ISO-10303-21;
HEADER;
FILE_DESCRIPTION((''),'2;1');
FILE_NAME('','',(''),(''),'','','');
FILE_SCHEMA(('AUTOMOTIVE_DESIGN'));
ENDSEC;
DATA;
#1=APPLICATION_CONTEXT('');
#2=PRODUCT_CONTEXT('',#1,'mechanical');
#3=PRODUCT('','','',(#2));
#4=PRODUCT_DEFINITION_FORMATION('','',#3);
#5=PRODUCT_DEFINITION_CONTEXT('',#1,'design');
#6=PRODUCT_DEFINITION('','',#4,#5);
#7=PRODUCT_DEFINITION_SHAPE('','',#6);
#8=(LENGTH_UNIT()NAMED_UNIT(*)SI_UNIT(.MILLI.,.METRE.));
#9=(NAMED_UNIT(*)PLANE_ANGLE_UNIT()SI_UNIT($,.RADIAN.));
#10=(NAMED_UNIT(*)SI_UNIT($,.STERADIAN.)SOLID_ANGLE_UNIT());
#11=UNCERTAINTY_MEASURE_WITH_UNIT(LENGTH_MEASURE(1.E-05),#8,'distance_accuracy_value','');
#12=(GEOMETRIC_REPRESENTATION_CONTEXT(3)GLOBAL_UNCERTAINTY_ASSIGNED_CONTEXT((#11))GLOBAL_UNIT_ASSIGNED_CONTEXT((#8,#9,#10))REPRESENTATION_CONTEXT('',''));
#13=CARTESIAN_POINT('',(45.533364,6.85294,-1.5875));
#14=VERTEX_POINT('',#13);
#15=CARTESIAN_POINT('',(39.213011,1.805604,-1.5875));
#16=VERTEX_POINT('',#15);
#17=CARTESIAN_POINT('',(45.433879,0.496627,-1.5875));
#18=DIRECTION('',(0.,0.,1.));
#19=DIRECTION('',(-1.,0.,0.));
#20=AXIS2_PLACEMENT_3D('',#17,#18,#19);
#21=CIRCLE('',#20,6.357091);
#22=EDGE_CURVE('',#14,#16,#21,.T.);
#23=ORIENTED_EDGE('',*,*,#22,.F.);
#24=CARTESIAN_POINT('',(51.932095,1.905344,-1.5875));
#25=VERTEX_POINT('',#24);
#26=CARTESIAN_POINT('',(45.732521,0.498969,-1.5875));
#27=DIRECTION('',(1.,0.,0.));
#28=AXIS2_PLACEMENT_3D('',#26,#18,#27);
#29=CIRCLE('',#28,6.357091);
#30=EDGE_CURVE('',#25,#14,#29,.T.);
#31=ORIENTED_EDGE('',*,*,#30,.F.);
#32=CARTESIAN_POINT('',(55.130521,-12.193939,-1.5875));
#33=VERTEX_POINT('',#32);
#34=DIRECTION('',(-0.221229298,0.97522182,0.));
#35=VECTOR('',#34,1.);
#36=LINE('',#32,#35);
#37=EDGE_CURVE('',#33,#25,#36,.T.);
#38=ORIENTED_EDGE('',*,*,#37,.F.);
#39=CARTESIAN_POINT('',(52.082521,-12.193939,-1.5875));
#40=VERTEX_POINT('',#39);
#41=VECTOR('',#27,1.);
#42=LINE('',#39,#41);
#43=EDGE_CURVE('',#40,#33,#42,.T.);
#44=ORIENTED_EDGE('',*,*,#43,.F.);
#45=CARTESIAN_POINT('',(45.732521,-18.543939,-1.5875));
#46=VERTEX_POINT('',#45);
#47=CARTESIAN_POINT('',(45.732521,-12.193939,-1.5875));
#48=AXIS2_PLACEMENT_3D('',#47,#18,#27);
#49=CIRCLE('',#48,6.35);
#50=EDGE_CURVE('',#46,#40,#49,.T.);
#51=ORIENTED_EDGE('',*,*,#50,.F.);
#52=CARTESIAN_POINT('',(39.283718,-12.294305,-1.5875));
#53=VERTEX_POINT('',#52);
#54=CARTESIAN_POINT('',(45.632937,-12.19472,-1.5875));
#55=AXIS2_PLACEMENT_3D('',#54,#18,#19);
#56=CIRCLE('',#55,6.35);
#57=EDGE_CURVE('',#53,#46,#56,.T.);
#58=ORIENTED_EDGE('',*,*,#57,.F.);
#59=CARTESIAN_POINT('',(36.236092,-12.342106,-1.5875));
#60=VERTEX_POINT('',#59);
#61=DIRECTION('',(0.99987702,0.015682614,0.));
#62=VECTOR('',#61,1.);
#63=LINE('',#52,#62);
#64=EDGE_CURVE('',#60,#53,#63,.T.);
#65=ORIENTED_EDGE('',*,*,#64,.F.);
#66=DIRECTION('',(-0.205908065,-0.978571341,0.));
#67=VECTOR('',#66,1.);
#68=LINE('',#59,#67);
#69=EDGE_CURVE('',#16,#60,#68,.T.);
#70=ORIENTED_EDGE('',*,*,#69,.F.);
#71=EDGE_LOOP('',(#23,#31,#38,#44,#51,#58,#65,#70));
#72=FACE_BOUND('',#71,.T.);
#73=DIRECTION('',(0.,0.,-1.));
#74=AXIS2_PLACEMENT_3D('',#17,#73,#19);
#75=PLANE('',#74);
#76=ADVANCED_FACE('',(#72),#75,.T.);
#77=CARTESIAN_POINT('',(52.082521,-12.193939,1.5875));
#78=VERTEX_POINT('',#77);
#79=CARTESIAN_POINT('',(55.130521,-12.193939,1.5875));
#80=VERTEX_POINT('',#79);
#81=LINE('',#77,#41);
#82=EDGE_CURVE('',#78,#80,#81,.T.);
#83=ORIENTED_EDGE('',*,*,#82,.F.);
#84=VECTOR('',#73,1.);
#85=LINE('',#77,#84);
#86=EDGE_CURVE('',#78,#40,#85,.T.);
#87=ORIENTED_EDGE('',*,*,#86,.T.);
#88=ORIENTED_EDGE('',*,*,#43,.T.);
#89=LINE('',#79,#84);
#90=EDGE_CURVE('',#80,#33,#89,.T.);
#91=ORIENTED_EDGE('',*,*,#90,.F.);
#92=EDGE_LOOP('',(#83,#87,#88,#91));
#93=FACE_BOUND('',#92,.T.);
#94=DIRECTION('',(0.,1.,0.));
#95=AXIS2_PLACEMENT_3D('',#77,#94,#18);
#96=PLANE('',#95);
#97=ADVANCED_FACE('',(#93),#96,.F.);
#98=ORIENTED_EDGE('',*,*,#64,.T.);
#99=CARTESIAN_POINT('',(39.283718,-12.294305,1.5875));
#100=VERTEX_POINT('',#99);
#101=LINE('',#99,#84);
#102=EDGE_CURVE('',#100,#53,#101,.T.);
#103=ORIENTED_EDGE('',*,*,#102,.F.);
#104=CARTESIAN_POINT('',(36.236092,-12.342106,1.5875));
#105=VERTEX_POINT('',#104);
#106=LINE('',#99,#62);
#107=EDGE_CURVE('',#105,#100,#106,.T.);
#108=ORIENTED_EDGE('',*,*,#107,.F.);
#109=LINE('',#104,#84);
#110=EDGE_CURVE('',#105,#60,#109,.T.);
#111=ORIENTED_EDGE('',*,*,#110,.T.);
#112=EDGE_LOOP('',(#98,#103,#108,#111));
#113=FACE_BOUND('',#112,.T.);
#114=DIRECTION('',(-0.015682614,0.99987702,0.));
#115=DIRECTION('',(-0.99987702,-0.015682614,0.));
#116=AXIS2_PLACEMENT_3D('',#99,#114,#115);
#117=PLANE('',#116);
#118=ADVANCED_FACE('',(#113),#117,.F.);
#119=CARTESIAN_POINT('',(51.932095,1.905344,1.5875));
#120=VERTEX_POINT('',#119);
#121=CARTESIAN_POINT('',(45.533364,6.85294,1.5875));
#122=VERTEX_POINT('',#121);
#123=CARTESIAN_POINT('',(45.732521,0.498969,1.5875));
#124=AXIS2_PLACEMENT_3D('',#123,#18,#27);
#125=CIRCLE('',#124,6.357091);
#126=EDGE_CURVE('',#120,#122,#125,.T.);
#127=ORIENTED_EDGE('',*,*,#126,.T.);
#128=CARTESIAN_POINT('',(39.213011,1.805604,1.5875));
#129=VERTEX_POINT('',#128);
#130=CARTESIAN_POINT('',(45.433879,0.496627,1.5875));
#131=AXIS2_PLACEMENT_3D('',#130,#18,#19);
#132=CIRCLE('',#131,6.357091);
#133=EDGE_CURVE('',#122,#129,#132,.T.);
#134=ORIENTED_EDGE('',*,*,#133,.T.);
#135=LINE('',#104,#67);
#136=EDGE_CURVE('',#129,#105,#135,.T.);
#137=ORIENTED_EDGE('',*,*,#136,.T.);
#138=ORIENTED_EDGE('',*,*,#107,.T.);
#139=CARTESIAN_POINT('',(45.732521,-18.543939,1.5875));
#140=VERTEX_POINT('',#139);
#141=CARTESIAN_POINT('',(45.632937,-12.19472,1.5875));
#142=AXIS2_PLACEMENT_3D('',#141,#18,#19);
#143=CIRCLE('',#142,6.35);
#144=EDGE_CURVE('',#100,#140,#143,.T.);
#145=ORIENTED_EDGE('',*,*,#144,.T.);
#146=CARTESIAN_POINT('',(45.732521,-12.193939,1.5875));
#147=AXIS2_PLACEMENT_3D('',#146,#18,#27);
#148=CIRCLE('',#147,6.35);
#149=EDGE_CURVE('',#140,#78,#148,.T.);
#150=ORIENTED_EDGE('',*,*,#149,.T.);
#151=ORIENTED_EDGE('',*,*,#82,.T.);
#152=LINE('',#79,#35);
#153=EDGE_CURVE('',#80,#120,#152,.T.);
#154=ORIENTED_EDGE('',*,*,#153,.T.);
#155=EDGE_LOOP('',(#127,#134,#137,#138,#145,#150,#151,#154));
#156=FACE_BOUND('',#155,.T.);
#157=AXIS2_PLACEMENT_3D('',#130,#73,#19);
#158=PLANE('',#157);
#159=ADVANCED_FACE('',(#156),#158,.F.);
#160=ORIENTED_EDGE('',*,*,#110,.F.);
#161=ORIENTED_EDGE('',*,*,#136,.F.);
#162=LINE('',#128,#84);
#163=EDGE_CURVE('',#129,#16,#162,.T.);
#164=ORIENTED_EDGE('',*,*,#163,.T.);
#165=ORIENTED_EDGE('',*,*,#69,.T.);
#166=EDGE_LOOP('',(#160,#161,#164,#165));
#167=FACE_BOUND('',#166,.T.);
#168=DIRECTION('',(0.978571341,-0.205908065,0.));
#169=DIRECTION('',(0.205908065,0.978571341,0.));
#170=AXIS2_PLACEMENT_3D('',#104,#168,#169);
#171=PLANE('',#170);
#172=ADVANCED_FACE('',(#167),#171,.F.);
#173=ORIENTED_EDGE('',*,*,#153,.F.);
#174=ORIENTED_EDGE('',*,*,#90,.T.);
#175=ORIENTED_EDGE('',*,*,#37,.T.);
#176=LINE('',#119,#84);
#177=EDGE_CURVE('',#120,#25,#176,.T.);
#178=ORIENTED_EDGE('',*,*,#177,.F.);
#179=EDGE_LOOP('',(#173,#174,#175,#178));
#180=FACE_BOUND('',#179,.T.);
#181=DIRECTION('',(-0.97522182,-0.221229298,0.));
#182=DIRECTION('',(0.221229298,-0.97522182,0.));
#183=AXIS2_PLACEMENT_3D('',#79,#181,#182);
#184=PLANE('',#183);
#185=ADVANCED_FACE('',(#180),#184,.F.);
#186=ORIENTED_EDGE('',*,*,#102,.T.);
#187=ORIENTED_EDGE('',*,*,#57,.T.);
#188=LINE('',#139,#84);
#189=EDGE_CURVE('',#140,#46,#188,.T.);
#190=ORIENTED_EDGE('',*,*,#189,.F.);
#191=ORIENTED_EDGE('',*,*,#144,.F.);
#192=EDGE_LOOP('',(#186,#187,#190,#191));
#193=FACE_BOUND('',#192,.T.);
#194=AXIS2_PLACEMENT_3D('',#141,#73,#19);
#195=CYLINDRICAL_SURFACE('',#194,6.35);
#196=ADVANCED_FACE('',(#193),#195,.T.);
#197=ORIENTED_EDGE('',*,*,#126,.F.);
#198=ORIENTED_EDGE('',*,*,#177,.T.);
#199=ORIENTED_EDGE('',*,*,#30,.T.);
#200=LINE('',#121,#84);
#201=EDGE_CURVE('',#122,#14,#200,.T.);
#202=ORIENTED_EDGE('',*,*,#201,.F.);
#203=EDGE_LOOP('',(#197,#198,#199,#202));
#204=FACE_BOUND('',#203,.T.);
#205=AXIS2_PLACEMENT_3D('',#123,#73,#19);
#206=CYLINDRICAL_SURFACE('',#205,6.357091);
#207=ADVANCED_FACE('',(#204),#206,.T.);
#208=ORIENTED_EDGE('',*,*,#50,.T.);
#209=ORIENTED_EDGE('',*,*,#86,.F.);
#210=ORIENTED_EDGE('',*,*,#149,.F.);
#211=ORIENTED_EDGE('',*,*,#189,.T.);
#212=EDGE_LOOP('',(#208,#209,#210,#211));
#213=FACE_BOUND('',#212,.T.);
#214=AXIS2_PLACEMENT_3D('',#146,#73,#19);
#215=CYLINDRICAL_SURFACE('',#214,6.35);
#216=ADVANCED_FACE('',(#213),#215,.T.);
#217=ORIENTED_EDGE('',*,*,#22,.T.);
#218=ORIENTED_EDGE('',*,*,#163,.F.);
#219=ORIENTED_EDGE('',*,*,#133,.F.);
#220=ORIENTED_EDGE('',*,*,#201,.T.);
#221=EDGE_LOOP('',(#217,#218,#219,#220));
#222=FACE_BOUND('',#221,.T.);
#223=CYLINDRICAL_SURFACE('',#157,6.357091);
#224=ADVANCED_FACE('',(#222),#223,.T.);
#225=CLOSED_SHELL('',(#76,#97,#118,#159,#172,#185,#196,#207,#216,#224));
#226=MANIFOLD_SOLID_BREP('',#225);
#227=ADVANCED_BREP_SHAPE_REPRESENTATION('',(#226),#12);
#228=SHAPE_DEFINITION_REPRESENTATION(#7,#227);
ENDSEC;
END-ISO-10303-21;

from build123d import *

# Parameters (mm, degrees)
BOSS_EXTRUDE1_DEPTH = 1.5875


with BuildPart() as part:
    # Sketch2 → Boss-Extrude1 (new, symmetric)
    with BuildSketch(Plane.XY):
        with BuildLine():
            Line((55.130521201, -12.193939448), (51.93209544, 1.905344025))
            ThreePointArc((51.93209544, 1.905344025), (49.621085039, 5.5280528), (45.533364229, 6.85294016))
            ThreePointArc((45.533364229, 6.85294016), (41.466923822, 5.464109588), (39.213011171, 1.80560365))
            Line((39.213011171, 1.80560365), (36.236092368, -12.342105573))
            Line((36.236092368, -12.342105573), (39.283717526, -12.294304966))
            ThreePointArc((39.283717526, -12.294304966), (41.213777682, -16.754713179), (45.732521201, -18.543939448))
            ThreePointArc((45.732521201, -18.543939448), (50.222649262, -16.684067509), (52.082521201, -12.193939448))
            Line((52.082521201, -12.193939448), (55.130521201, -12.193939448))
        make_face()
    extrude(amount=BOSS_EXTRUDE1_DEPTH, both=True)


solid = part.part
